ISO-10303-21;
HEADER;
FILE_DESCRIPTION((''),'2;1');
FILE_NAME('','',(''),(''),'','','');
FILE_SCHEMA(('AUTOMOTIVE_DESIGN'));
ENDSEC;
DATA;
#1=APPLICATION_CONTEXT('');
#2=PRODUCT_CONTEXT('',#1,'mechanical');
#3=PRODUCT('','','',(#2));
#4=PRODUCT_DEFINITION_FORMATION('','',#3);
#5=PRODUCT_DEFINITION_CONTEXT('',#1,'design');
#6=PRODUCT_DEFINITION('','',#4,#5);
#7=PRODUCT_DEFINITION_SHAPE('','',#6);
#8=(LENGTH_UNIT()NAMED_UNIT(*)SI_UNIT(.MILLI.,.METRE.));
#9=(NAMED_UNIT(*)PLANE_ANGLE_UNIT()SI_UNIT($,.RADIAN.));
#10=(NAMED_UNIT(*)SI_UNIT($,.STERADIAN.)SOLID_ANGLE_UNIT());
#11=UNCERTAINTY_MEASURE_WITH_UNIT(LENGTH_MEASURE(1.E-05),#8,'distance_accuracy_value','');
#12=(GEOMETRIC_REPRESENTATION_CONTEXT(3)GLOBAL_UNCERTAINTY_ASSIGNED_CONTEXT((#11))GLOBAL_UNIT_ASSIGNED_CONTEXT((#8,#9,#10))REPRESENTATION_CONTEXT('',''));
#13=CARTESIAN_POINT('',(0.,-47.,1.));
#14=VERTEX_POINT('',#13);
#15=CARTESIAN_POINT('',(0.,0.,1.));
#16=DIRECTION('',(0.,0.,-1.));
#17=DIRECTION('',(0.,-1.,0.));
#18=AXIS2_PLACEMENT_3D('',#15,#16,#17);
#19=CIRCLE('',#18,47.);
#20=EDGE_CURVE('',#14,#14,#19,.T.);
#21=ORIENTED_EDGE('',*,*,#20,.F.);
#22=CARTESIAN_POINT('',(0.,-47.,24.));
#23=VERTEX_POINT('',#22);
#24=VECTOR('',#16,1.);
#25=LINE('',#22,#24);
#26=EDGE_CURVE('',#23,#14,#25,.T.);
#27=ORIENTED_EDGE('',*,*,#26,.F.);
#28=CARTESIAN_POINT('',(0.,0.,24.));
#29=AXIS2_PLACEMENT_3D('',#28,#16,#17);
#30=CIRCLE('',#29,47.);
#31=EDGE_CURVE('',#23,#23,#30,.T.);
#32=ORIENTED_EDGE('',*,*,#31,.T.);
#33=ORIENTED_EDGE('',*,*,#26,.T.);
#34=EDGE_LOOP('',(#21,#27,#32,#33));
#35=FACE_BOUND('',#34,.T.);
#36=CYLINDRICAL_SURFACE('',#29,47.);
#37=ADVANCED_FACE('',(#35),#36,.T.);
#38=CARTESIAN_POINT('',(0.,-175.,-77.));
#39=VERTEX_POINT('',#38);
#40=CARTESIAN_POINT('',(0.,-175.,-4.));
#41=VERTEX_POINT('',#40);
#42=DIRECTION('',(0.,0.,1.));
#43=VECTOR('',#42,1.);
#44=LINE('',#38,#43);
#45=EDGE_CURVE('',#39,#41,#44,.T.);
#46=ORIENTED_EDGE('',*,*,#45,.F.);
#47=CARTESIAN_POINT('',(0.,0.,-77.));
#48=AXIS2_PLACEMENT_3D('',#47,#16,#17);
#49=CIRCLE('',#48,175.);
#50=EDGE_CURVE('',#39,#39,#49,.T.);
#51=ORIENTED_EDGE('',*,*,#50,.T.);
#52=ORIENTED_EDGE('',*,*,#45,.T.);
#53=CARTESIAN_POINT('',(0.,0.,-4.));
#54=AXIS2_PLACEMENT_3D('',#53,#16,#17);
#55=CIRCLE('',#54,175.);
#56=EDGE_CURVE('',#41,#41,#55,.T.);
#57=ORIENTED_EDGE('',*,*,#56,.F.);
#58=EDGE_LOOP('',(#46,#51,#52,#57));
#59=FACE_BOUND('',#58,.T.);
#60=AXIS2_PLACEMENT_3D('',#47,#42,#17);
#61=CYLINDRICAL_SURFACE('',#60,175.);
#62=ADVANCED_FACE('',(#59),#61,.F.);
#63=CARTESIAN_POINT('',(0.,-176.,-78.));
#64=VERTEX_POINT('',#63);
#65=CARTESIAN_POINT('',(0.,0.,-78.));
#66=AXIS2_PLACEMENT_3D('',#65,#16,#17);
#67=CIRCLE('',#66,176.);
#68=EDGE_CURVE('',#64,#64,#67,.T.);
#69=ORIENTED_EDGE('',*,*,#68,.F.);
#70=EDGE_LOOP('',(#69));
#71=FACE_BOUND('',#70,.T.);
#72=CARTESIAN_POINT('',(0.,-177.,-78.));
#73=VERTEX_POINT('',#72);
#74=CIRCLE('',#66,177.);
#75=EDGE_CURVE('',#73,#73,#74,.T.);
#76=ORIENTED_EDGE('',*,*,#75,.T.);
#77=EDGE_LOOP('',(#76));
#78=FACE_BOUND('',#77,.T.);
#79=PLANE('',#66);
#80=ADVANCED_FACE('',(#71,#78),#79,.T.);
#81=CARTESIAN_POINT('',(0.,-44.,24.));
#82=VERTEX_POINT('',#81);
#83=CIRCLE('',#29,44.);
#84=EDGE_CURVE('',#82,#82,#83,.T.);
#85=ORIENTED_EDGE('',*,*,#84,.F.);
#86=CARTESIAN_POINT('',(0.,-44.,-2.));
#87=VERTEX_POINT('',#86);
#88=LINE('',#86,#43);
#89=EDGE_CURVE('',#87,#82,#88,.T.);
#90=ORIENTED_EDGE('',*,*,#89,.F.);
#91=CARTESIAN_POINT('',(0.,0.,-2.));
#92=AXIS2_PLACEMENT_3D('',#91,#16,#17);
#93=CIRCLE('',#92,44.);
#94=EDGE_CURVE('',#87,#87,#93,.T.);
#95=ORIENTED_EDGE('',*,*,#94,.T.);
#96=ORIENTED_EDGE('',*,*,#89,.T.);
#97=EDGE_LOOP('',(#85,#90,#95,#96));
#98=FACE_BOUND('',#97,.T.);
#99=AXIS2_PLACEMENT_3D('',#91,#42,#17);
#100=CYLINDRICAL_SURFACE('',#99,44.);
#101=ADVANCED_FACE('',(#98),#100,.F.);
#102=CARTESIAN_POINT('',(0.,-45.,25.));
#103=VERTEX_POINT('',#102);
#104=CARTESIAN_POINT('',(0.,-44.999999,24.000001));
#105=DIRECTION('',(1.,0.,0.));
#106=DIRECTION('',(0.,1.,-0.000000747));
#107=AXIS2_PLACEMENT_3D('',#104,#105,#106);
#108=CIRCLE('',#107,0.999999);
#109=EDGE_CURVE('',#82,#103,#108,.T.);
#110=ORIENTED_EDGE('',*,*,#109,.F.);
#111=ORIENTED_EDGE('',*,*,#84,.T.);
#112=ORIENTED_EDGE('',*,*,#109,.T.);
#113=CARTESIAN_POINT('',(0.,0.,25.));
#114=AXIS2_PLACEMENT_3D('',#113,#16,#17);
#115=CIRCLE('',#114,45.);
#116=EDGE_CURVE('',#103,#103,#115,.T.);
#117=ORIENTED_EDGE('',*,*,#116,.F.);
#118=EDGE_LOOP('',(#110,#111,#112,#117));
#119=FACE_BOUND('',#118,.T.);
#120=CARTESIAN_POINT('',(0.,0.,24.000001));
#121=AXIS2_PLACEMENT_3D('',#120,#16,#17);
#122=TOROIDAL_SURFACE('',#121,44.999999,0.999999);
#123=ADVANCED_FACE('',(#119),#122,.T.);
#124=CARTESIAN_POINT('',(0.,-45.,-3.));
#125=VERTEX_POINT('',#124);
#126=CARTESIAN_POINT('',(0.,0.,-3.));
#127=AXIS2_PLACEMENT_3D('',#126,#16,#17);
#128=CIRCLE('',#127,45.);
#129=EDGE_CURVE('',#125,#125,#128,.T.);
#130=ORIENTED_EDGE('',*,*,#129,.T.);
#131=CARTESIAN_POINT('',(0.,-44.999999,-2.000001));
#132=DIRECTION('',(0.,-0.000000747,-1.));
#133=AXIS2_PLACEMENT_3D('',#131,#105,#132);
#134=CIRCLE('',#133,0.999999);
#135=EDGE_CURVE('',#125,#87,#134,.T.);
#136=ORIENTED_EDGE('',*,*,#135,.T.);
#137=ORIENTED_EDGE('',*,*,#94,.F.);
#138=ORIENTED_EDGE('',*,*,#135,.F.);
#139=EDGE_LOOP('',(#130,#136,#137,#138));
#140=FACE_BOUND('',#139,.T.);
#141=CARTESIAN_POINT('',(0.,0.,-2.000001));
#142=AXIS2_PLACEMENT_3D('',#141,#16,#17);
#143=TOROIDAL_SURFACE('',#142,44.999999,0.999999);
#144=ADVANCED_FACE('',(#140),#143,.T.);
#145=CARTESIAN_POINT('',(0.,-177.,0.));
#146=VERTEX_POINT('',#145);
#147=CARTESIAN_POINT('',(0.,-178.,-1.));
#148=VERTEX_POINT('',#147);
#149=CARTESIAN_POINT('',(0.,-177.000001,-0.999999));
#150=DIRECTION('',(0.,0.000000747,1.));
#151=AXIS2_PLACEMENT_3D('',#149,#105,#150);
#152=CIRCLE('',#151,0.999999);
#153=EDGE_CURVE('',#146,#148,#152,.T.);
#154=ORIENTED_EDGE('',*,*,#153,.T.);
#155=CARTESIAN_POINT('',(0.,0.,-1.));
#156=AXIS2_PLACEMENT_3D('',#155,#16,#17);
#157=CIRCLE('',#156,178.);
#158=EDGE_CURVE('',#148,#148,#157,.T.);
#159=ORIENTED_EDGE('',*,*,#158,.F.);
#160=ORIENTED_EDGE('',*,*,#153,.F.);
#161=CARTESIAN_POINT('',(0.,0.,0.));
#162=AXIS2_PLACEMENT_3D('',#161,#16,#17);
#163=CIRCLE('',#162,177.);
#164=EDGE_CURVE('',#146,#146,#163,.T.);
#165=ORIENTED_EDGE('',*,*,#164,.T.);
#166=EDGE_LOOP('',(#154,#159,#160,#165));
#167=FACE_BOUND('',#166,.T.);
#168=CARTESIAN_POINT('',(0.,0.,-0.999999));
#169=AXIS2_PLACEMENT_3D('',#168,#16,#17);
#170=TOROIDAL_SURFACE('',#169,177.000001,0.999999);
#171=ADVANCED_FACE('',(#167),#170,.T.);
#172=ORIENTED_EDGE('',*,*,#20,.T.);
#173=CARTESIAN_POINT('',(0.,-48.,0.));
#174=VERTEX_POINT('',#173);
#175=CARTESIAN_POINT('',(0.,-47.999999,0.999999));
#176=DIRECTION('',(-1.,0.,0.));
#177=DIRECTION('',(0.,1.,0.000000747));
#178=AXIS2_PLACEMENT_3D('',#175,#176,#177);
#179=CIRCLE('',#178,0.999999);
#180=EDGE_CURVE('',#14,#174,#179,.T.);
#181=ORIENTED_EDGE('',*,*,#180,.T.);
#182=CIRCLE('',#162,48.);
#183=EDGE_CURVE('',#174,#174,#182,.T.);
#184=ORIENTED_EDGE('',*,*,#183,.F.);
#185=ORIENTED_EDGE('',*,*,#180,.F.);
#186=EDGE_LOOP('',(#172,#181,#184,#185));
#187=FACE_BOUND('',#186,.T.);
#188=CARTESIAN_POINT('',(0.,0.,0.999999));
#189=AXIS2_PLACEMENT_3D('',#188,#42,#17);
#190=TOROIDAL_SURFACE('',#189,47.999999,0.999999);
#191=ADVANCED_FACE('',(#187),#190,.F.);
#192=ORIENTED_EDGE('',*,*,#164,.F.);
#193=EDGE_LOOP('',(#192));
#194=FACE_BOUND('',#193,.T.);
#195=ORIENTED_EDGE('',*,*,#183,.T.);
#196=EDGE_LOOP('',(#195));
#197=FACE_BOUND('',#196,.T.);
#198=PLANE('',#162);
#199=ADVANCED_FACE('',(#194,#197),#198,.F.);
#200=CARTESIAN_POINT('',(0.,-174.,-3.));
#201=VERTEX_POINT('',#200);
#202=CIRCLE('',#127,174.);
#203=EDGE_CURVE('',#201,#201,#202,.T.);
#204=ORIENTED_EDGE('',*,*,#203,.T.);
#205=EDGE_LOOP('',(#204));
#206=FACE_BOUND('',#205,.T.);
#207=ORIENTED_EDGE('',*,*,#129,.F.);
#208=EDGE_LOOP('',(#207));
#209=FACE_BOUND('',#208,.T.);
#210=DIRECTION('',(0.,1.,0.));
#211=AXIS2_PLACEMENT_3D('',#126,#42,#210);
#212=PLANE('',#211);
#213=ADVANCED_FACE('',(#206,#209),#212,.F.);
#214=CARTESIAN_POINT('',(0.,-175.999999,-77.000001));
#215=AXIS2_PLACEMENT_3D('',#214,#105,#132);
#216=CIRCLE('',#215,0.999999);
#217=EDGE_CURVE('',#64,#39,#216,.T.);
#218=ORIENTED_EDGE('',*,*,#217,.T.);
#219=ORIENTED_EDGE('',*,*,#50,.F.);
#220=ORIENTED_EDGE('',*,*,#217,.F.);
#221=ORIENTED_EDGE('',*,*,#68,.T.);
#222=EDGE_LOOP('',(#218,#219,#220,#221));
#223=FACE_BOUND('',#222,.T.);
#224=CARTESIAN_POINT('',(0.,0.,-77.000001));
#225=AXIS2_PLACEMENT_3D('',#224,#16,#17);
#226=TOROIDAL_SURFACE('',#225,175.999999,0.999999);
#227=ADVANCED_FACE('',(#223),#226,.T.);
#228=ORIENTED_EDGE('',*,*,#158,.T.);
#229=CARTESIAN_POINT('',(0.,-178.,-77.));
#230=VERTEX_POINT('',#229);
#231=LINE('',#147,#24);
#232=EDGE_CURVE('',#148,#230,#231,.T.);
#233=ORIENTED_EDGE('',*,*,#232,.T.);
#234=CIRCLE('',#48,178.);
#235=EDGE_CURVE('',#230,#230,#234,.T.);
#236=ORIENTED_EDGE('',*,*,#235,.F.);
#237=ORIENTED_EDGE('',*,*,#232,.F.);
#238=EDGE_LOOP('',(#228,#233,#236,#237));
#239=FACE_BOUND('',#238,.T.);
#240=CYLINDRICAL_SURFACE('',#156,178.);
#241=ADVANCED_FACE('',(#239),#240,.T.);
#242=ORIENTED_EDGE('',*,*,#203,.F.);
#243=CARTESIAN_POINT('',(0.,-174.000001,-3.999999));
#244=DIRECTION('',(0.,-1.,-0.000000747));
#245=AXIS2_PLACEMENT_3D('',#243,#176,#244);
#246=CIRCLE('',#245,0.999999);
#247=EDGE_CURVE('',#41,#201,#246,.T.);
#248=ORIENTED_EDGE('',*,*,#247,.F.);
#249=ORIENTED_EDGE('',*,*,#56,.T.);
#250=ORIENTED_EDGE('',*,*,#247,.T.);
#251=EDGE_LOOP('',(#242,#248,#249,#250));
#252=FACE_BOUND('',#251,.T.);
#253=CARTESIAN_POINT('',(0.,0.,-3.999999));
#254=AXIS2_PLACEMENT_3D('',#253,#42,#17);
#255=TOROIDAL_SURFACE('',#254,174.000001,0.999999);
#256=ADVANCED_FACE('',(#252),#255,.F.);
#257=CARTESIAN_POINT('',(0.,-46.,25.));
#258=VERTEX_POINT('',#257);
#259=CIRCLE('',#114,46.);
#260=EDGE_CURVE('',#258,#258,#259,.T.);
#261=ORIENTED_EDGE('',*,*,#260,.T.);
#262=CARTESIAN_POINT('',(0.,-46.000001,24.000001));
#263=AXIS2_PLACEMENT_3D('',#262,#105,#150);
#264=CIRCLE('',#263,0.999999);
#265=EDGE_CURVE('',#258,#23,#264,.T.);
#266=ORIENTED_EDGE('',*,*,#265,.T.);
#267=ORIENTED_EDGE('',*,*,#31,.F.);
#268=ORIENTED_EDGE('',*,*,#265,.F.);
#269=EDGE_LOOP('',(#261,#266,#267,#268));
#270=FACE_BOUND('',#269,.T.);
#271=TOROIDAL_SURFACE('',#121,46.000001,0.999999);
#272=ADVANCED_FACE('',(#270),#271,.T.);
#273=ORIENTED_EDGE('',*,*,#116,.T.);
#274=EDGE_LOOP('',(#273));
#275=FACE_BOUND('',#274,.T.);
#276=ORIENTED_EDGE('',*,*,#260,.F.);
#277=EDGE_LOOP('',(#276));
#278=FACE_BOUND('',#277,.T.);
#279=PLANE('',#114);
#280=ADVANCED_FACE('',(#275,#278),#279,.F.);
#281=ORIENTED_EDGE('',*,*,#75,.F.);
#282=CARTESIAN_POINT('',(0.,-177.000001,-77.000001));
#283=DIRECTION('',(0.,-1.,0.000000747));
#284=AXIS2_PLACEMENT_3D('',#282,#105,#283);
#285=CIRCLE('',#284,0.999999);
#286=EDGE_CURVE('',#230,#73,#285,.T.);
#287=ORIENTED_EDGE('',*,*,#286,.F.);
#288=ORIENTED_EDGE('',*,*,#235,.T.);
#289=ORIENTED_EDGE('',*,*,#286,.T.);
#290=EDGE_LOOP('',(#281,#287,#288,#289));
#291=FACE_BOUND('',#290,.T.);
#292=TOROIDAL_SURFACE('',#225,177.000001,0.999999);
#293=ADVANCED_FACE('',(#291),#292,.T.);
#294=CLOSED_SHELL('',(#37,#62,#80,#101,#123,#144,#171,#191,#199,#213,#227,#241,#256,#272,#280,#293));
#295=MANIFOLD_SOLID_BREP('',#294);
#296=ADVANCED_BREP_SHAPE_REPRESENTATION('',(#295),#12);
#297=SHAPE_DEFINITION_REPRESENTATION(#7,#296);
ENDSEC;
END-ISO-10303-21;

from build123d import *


with BuildPart() as f1:
    # F0 (on Right) → F1 (revolve)
    with BuildSketch(Plane.YZ):
        with BuildLine():
            Line((-48, 0), (-177, 0))
            ThreePointArc((-177, 0), (-177.707107, -0.292893), (-178, -1))
            Line((-178, -1), (-178, -77))
            ThreePointArc((-178, -77), (-177.707107, -77.707107), (-177, -78))
            Line((-177, -78), (-176, -78))
            ThreePointArc((-176, -78), (-175.292893, -77.707107), (-175, -77))
            Line((-175, -77), (-175, -4))
            ThreePointArc((-175, -4), (-174.707107, -3.292893), (-174, -3))
            Line((-174, -3), (-47, -3))
            Line((-47, -3), (-45, -3))
            ThreePointArc((-45, -3), (-44.292893, -2.707107), (-44, -2))
            Line((-44, -2), (-44, -1))
            Line((-44, -1), (-44, 24))
            ThreePointArc((-44, 24), (-44.292893, 24.707107), (-45, 25))
            Line((-45, 25), (-46, 25))
            ThreePointArc((-46, 25), (-46.707107, 24.707107), (-47, 24))
            Line((-47, 24), (-47, 1))
            ThreePointArc((-47, 1), (-47.292893, 0.292893), (-48, 0))
        make_face()
    revolve(axis=Axis((0, 0, -41.137744), (0, 0, -1)))


solid = f1.part
